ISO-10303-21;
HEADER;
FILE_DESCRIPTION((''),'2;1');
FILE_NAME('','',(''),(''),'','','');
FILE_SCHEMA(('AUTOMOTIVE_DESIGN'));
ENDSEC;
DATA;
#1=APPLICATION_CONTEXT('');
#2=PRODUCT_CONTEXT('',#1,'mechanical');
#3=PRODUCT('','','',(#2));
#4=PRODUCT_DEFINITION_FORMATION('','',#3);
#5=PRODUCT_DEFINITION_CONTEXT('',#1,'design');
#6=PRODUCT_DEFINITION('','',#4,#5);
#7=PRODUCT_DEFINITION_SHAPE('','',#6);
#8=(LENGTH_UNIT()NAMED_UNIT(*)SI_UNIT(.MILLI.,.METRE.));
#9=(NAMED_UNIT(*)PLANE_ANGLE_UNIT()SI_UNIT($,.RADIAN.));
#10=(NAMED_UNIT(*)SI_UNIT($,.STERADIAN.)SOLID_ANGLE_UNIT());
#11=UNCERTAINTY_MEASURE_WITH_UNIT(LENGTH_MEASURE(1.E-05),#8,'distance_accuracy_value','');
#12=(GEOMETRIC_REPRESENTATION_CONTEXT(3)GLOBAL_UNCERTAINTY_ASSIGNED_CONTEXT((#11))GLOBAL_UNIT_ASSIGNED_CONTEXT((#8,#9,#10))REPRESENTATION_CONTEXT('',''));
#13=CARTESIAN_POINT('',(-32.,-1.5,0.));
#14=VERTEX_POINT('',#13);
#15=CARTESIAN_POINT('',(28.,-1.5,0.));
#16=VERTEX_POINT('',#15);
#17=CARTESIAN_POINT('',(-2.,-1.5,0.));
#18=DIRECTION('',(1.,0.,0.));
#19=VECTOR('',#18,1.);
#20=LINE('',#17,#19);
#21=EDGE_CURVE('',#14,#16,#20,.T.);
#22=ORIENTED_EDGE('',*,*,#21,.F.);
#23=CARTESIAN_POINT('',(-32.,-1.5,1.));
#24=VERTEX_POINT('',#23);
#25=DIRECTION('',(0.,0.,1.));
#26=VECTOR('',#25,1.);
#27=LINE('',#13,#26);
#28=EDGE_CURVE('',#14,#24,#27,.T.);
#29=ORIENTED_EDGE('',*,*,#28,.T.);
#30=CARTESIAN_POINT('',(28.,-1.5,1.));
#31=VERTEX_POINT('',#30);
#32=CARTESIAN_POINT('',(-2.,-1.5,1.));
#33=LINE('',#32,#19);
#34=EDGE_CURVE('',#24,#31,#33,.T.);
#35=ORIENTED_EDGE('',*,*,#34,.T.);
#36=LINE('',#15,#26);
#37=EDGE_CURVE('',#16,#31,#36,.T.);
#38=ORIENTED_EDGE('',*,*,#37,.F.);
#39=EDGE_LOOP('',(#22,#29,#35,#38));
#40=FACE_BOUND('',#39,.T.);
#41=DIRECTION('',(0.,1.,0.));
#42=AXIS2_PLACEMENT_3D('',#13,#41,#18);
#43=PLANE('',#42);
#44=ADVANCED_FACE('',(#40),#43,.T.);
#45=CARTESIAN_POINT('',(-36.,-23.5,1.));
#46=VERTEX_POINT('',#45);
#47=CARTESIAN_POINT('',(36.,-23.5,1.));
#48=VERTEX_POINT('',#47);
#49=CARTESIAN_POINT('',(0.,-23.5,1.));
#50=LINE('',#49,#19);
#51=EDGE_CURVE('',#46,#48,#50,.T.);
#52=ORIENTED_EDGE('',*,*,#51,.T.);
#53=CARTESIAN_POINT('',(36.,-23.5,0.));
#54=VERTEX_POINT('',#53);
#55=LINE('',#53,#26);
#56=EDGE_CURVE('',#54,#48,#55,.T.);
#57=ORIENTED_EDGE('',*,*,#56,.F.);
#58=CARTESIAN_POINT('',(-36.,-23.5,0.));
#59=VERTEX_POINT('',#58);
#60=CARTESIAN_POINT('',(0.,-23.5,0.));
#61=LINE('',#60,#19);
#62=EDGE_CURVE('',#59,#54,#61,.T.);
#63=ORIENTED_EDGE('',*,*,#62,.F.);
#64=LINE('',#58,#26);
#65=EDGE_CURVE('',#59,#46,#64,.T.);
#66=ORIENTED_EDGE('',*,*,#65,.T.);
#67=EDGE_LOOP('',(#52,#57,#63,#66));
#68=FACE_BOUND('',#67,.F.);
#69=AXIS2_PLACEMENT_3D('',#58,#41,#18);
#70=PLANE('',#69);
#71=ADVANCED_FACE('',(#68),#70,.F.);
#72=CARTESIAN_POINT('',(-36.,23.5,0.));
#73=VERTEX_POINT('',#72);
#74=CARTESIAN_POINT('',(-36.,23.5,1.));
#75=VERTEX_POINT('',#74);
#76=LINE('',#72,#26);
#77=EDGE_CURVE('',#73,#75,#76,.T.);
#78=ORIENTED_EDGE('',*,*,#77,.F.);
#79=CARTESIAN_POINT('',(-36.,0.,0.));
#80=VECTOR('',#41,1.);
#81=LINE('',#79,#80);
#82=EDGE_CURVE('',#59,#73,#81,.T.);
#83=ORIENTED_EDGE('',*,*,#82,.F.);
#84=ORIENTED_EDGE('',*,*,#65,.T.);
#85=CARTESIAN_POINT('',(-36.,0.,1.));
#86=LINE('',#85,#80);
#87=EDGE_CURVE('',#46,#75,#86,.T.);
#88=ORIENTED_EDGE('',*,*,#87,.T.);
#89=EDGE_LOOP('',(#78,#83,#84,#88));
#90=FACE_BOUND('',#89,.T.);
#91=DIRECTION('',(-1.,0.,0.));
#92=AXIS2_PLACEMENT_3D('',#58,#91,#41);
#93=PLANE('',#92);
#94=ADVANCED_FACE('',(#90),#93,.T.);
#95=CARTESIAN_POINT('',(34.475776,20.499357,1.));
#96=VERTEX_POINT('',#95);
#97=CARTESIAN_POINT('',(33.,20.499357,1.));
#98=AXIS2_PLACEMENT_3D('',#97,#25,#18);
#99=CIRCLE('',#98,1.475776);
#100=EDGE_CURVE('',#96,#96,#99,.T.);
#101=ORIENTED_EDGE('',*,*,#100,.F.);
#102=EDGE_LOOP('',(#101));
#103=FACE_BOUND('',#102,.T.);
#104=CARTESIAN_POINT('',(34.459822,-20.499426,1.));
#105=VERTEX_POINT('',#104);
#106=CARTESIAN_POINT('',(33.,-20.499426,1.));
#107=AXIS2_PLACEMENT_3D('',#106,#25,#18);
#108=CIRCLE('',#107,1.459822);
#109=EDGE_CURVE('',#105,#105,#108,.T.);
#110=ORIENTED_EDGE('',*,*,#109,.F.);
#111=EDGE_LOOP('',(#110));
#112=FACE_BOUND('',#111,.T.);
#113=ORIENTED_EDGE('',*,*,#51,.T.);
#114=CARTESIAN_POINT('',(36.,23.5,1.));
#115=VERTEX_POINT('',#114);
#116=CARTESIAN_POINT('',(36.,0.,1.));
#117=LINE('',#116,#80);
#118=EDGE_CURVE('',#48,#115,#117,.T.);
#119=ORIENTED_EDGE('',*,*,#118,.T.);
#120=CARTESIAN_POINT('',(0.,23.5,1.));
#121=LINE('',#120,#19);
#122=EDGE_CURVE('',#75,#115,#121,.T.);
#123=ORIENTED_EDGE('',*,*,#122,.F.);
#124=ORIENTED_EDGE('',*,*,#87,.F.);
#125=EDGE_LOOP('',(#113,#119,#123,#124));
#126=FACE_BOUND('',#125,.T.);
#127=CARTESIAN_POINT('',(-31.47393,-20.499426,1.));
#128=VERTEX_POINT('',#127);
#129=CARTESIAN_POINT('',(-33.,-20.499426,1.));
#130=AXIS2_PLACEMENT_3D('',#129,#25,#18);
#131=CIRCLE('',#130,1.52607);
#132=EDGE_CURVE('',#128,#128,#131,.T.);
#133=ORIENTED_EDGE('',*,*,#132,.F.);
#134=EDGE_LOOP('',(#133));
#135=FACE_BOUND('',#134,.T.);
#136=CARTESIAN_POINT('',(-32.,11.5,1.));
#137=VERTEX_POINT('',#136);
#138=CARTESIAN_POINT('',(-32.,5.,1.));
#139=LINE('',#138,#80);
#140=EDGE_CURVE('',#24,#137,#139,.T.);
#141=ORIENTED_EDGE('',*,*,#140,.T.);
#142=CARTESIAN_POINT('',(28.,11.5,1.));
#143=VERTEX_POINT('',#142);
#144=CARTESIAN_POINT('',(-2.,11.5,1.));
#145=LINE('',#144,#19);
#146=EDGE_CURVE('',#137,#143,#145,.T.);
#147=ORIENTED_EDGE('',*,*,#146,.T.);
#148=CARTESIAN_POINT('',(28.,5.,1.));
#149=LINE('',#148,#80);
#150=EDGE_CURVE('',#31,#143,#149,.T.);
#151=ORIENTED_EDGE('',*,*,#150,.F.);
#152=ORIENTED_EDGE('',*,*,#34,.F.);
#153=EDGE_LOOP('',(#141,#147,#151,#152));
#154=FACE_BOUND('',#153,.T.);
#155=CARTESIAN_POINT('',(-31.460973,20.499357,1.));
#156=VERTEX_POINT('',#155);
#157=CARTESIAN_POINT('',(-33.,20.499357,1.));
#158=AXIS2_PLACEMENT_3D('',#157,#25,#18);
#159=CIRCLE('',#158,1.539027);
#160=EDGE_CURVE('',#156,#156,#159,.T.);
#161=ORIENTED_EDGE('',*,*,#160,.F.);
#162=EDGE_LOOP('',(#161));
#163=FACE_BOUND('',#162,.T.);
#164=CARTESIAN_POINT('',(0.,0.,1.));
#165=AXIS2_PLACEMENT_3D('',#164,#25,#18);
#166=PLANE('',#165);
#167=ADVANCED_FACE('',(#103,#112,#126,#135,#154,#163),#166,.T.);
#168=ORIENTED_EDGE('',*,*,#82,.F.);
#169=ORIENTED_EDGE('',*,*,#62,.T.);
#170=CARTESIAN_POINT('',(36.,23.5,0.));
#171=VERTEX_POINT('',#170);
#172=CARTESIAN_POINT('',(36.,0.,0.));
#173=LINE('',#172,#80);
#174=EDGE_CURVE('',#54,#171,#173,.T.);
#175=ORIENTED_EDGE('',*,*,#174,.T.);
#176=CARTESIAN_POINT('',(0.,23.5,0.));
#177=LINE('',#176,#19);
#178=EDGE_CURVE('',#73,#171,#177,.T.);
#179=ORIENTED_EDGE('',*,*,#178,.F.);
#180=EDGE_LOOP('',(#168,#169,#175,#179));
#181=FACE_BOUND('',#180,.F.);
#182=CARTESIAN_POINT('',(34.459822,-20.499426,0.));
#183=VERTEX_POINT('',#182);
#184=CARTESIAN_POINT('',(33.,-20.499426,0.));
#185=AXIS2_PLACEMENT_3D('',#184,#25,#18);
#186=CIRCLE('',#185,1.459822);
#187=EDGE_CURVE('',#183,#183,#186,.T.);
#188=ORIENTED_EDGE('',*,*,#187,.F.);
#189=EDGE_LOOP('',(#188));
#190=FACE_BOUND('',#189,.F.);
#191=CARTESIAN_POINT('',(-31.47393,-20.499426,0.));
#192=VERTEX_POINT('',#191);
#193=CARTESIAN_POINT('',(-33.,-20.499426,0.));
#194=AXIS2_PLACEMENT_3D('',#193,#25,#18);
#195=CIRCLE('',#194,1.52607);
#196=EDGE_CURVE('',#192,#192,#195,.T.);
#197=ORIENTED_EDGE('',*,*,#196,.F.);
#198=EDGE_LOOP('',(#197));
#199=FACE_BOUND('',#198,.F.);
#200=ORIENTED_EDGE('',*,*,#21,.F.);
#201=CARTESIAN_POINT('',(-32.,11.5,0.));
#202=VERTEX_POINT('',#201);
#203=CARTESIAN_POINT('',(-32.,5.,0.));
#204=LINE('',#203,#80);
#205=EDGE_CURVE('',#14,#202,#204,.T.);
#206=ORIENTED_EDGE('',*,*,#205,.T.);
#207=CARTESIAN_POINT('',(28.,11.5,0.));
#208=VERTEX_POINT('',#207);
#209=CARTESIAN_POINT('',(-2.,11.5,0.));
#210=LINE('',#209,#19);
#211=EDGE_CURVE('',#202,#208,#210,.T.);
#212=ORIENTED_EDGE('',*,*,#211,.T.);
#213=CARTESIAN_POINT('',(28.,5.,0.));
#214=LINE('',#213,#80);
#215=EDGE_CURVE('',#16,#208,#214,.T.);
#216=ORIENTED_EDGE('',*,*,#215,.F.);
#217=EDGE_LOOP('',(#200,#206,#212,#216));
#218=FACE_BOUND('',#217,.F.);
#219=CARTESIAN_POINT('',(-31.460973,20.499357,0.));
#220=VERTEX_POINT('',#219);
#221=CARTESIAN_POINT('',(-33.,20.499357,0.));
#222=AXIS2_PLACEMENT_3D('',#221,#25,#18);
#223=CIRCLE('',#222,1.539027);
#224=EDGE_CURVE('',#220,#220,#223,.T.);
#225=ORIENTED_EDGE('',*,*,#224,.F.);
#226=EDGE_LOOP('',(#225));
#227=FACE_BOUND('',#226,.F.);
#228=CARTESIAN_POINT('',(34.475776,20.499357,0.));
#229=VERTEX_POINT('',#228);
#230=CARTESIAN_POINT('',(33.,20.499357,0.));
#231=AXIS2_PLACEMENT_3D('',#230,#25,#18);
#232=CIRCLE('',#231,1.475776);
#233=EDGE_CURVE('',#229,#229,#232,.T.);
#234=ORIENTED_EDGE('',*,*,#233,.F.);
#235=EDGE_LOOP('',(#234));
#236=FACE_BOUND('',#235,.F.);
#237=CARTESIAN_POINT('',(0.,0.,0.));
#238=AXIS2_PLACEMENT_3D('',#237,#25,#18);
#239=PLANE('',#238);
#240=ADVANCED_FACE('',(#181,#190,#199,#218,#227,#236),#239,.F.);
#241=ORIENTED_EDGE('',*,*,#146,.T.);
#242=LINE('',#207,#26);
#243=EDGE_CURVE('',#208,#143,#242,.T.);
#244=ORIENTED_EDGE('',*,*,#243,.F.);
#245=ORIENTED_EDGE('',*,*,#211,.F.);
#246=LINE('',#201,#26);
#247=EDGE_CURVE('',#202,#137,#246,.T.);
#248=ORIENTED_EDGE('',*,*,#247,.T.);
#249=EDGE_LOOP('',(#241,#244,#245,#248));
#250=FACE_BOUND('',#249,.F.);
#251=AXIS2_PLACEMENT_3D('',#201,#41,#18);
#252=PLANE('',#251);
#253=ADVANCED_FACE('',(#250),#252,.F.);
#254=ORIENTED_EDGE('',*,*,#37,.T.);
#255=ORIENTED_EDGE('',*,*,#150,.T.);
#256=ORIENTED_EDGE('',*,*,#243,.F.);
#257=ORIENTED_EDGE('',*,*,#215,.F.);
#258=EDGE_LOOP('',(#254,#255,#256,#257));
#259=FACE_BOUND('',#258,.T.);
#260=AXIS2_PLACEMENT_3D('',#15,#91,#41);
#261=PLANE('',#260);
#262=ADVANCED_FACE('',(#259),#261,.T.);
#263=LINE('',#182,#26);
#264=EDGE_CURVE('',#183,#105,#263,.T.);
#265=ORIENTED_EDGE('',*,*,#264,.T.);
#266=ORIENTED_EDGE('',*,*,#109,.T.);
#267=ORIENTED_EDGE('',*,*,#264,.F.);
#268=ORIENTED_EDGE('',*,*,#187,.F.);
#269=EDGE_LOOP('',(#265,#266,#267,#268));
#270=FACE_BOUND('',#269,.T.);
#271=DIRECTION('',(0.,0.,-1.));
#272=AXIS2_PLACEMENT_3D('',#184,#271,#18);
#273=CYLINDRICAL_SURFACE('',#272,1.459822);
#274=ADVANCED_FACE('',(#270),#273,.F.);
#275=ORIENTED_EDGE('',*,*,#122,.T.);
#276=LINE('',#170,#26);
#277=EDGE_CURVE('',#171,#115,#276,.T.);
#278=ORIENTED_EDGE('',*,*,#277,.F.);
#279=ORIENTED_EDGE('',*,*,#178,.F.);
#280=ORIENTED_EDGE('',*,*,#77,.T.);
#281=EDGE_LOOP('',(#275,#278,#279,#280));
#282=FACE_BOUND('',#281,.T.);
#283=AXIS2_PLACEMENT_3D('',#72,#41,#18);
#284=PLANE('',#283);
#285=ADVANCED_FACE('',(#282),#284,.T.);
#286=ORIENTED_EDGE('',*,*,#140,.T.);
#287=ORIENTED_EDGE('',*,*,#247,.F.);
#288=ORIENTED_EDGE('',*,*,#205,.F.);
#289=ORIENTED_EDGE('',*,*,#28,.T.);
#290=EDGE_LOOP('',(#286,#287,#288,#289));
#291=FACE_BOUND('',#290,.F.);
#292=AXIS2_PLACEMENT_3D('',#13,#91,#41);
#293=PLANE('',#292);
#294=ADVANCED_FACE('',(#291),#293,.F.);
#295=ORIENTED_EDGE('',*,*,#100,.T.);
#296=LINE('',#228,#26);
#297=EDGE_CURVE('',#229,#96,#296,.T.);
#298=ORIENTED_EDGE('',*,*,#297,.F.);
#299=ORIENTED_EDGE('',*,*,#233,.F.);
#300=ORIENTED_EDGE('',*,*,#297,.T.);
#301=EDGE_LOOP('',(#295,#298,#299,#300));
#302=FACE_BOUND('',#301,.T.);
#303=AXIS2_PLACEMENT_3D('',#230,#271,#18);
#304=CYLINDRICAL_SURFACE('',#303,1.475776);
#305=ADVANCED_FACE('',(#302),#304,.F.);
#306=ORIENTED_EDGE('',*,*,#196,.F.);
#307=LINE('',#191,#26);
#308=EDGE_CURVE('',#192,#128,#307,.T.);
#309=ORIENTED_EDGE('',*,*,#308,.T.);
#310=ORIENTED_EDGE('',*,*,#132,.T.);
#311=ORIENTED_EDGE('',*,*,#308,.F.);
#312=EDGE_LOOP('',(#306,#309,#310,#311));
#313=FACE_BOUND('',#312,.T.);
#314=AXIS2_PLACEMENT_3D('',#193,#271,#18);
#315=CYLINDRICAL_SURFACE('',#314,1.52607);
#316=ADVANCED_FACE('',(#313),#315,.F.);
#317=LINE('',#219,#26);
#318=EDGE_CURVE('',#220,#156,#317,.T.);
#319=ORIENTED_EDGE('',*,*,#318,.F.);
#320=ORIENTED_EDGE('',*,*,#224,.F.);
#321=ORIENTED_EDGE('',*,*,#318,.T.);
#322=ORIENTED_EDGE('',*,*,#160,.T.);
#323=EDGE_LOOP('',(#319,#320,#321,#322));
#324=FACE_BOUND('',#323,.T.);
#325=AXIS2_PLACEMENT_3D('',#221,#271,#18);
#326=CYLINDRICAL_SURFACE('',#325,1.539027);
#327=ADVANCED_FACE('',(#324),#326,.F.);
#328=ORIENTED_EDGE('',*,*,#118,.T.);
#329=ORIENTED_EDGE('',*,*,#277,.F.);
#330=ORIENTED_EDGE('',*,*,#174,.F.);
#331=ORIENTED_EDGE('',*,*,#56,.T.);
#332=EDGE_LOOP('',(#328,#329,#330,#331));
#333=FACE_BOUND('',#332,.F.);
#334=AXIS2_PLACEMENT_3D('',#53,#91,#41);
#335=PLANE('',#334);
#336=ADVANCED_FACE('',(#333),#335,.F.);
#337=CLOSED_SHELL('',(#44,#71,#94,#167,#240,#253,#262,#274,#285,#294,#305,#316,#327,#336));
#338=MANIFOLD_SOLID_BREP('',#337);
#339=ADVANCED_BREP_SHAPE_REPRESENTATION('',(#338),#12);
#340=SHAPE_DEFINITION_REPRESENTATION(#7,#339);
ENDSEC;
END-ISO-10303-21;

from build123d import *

# Parameters (mm, degrees)
SKETCH_W   = 72
SKETCH_H   = 47
SKETCH_R   = 1.52607
SKETCH_R_2 = 1.539027
SKETCH_R_3 = 1.475776
SKETCH_R_4 = 1.459822
SKETCH_W_2 = 60
SKETCH_H_2 = 13
PAD_DEPTH  = 1


with BuildPart() as part:
    # Sketch → Pad (new body)
    with BuildSketch(Plane.XY):
        Rectangle(SKETCH_W, SKETCH_H)
        with Locations((-33, -20.499426)):
            Circle(SKETCH_R, mode=Mode.SUBTRACT)
        with Locations((-33, 20.499357)):
            Circle(SKETCH_R_2, mode=Mode.SUBTRACT)
        with Locations((33, 20.499357)):
            Circle(SKETCH_R_3, mode=Mode.SUBTRACT)
        with Locations((33, -20.499426)):
            Circle(SKETCH_R_4, mode=Mode.SUBTRACT)
        with Locations((-2, 5)):
            Rectangle(SKETCH_W_2, SKETCH_H_2, mode=Mode.SUBTRACT)
    extrude(amount=PAD_DEPTH)


solid = part.part
